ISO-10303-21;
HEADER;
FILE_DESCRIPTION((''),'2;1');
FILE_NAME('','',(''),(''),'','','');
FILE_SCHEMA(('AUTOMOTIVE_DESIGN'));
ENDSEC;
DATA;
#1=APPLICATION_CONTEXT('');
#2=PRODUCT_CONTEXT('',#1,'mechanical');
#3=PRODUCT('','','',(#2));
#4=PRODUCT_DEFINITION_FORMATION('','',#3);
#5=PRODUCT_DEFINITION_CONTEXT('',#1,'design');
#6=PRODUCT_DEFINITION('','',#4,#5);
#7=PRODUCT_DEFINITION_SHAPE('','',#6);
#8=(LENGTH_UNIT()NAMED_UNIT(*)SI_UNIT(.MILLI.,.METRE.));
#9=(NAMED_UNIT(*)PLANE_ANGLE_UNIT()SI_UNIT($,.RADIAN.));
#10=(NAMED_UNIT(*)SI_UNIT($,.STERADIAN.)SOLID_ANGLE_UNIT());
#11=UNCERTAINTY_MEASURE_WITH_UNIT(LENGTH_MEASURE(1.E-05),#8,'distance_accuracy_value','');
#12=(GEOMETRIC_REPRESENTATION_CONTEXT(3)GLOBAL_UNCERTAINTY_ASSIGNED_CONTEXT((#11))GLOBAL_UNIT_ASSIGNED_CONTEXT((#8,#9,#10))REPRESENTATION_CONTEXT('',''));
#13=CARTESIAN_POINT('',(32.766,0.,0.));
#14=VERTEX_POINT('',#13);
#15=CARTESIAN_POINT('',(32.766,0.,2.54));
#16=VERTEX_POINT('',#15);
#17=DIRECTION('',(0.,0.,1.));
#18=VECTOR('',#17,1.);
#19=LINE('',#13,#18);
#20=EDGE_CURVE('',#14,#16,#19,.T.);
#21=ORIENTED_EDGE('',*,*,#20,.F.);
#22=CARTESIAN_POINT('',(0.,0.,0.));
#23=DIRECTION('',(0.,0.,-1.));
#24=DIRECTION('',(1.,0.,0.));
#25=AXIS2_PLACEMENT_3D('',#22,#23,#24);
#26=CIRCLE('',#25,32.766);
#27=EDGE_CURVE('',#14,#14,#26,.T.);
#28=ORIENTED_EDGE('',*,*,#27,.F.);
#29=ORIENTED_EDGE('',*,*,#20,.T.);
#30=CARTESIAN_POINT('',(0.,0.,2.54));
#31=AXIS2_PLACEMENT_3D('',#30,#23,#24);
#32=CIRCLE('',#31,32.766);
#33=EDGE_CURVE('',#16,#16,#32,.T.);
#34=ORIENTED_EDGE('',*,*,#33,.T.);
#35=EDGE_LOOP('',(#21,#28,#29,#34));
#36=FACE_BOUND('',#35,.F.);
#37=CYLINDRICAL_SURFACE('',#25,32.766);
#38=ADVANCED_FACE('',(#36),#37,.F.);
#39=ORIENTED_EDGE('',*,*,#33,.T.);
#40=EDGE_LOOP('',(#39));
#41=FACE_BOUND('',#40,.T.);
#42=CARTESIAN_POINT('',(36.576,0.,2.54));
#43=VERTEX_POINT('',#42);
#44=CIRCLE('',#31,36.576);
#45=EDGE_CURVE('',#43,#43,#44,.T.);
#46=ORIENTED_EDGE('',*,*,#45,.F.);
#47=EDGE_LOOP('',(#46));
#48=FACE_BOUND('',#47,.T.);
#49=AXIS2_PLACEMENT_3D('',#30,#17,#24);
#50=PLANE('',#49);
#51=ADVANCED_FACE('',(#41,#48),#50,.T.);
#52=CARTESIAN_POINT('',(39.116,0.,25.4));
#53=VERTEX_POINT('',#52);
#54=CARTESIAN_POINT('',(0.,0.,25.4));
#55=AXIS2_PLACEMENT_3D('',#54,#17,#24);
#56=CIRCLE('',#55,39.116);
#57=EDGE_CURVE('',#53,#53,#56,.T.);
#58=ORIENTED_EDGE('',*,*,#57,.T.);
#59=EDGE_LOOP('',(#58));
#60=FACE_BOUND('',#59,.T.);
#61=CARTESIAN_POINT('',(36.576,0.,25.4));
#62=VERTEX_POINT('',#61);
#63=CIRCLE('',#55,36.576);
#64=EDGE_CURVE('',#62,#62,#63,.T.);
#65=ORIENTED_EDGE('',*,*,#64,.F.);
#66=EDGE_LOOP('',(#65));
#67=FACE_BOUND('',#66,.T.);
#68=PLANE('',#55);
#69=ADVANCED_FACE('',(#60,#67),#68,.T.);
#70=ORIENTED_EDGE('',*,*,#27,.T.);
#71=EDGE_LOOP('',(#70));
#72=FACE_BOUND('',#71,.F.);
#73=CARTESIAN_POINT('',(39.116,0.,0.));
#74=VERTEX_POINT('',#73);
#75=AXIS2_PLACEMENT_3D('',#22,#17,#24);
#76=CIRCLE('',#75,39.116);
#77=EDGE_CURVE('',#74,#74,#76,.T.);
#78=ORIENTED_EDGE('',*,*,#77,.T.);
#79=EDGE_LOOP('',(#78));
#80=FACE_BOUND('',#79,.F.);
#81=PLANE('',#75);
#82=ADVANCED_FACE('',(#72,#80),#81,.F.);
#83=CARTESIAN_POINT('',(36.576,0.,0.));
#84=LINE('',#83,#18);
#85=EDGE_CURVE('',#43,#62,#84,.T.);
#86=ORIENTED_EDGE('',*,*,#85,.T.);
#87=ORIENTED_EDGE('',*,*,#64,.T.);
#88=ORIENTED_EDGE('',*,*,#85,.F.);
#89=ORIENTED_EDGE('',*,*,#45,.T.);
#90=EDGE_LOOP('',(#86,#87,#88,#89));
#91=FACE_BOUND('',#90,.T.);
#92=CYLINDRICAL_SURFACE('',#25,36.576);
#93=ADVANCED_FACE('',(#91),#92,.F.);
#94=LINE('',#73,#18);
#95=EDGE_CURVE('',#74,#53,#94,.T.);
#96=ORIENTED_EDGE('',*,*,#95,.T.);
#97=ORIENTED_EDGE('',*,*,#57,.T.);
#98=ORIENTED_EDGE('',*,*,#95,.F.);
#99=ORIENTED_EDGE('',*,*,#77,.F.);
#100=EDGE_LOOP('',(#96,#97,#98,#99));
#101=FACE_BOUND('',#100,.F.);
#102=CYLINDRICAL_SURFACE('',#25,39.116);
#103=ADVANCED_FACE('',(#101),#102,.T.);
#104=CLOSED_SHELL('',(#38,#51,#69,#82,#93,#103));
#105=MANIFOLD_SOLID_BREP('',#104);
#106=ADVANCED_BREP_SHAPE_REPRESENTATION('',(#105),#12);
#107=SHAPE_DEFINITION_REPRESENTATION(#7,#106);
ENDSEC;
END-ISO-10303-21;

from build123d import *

# Parameters (mm, degrees)
F0_R     = 39.116
F1_DEPTH = 25.4
F2_T     = -2.54
F3_R     = 32.766
F4_DEPTH = 25.4


with BuildPart() as f1:
    # F0 (on Top) → F1 (new body)
    with BuildSketch(Plane.XY):
        Circle(F0_R)
    extrude(amount=F1_DEPTH)

    # F2
    f2_openings = [f1.faces().sort_by_distance(p)[0] for p in [
        (0, 0, 25.4),
    ]]
    offset(amount=F2_T, openings=f2_openings)

    # F3 (on face) → F4 (cut)
    with BuildSketch(Plane(origin=(0, 0, 0), x_dir=(1, 0, 0), z_dir=(0, 0, -1))):
        Circle(F3_R)
    extrude(amount=-F4_DEPTH, mode=Mode.SUBTRACT)


solid = f1.part
